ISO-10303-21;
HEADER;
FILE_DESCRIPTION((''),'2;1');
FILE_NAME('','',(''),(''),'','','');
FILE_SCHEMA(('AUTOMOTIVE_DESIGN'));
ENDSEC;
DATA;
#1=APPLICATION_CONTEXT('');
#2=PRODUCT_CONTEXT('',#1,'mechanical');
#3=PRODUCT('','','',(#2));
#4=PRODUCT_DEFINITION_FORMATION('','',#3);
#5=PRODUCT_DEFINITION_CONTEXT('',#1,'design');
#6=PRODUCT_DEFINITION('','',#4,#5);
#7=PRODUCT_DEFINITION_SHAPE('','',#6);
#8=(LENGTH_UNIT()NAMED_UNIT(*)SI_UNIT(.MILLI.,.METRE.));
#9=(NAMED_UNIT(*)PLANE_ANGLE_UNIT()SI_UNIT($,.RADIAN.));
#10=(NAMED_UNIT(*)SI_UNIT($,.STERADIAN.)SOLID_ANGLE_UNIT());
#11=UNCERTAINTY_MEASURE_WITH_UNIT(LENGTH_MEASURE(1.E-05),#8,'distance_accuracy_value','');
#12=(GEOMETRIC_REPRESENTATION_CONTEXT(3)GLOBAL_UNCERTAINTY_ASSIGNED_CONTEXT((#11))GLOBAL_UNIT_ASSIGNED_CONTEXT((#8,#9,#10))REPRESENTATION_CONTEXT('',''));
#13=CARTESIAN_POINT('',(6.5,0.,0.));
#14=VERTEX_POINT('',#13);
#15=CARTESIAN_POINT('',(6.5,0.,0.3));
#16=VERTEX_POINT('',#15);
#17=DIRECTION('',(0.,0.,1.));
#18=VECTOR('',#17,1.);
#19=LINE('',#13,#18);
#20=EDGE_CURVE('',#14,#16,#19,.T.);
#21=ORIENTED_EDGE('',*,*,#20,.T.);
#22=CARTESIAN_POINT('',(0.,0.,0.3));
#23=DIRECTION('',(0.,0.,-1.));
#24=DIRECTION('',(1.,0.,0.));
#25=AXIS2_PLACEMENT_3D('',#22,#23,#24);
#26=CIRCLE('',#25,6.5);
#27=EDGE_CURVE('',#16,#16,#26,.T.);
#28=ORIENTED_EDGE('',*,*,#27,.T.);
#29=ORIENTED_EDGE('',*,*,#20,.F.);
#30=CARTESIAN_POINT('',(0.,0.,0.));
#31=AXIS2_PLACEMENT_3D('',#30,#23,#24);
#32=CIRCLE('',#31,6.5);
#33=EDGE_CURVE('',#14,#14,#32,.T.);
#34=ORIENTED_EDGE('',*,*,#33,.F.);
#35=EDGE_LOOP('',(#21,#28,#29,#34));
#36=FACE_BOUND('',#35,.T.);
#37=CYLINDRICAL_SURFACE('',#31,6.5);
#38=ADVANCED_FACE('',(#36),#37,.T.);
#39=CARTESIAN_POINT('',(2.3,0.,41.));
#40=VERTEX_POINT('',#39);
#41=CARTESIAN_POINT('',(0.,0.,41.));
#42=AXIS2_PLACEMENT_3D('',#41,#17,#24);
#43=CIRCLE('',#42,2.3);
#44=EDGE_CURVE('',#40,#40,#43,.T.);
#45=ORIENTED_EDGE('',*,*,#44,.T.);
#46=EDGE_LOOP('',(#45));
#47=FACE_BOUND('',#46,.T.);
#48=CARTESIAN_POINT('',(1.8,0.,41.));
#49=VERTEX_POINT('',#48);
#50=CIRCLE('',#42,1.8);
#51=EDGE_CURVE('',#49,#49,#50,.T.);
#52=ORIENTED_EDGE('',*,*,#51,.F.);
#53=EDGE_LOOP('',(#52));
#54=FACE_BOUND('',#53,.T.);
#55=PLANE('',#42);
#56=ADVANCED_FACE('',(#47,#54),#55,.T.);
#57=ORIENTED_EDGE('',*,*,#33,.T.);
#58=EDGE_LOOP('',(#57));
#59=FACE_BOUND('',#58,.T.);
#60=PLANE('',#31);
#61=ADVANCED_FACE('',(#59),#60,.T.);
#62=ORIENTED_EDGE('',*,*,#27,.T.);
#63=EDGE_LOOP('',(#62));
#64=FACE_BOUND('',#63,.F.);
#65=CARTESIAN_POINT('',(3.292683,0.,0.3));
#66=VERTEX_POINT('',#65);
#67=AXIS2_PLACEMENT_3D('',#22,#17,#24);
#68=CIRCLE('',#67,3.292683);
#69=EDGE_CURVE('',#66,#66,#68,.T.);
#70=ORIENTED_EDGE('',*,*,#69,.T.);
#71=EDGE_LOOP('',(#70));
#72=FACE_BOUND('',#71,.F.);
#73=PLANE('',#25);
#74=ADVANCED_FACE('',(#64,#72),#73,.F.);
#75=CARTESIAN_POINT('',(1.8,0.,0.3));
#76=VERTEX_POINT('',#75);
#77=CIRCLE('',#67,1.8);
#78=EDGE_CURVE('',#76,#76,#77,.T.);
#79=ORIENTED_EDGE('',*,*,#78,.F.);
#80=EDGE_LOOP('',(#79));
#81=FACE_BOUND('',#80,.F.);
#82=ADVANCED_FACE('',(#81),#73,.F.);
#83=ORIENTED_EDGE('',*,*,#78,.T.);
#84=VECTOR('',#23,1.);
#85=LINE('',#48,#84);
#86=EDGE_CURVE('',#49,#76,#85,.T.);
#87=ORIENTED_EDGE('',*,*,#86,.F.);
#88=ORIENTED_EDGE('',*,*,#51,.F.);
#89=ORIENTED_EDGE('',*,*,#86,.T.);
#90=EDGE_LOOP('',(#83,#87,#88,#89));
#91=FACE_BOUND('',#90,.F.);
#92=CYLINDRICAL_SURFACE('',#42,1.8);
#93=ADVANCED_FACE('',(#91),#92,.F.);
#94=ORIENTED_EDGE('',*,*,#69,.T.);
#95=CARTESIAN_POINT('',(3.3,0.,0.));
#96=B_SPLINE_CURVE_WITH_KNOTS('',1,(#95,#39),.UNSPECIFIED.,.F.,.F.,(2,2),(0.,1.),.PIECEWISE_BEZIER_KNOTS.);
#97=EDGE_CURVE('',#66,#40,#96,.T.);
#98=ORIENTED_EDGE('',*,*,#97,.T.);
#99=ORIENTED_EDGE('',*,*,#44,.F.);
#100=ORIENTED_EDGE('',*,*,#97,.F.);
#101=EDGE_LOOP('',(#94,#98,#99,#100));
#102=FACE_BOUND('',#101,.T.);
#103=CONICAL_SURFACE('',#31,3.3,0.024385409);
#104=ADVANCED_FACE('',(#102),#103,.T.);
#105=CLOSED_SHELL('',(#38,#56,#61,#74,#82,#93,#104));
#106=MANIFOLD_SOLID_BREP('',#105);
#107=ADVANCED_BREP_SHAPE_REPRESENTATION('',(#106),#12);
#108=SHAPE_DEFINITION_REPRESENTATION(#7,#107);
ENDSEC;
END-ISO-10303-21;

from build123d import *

# Parameters (mm, degrees)
F0_R     = 3.3
F2_R     = 2.3
F4_R     = 1.8
F5_DEPTH = 41.0010001
F6_R     = 6.5
F7_DEPTH = 0.3


with BuildPart() as f3:
    # F0 (on Top) → F3 section 0
    with BuildSketch(Plane.XY):
        Circle(F0_R)
    # F2 (on offset) → F3 section 1
    with BuildSketch(Plane.XY.offset(41)):
        Circle(F2_R)
    loft()

    # F4 (on face) → F5 (cut, through all)
    with BuildSketch(Plane.XY.offset(41)):
        Circle(F4_R)
    extrude(amount=-F5_DEPTH, mode=Mode.SUBTRACT)

    # F6 (on face) → F7 (join)
    with BuildSketch(Plane(origin=(0, 0, 0), x_dir=(1, 0, 0), z_dir=(0, 0, -1))):
        Circle(F6_R)
    extrude(amount=-F7_DEPTH)


solid = f3.part
